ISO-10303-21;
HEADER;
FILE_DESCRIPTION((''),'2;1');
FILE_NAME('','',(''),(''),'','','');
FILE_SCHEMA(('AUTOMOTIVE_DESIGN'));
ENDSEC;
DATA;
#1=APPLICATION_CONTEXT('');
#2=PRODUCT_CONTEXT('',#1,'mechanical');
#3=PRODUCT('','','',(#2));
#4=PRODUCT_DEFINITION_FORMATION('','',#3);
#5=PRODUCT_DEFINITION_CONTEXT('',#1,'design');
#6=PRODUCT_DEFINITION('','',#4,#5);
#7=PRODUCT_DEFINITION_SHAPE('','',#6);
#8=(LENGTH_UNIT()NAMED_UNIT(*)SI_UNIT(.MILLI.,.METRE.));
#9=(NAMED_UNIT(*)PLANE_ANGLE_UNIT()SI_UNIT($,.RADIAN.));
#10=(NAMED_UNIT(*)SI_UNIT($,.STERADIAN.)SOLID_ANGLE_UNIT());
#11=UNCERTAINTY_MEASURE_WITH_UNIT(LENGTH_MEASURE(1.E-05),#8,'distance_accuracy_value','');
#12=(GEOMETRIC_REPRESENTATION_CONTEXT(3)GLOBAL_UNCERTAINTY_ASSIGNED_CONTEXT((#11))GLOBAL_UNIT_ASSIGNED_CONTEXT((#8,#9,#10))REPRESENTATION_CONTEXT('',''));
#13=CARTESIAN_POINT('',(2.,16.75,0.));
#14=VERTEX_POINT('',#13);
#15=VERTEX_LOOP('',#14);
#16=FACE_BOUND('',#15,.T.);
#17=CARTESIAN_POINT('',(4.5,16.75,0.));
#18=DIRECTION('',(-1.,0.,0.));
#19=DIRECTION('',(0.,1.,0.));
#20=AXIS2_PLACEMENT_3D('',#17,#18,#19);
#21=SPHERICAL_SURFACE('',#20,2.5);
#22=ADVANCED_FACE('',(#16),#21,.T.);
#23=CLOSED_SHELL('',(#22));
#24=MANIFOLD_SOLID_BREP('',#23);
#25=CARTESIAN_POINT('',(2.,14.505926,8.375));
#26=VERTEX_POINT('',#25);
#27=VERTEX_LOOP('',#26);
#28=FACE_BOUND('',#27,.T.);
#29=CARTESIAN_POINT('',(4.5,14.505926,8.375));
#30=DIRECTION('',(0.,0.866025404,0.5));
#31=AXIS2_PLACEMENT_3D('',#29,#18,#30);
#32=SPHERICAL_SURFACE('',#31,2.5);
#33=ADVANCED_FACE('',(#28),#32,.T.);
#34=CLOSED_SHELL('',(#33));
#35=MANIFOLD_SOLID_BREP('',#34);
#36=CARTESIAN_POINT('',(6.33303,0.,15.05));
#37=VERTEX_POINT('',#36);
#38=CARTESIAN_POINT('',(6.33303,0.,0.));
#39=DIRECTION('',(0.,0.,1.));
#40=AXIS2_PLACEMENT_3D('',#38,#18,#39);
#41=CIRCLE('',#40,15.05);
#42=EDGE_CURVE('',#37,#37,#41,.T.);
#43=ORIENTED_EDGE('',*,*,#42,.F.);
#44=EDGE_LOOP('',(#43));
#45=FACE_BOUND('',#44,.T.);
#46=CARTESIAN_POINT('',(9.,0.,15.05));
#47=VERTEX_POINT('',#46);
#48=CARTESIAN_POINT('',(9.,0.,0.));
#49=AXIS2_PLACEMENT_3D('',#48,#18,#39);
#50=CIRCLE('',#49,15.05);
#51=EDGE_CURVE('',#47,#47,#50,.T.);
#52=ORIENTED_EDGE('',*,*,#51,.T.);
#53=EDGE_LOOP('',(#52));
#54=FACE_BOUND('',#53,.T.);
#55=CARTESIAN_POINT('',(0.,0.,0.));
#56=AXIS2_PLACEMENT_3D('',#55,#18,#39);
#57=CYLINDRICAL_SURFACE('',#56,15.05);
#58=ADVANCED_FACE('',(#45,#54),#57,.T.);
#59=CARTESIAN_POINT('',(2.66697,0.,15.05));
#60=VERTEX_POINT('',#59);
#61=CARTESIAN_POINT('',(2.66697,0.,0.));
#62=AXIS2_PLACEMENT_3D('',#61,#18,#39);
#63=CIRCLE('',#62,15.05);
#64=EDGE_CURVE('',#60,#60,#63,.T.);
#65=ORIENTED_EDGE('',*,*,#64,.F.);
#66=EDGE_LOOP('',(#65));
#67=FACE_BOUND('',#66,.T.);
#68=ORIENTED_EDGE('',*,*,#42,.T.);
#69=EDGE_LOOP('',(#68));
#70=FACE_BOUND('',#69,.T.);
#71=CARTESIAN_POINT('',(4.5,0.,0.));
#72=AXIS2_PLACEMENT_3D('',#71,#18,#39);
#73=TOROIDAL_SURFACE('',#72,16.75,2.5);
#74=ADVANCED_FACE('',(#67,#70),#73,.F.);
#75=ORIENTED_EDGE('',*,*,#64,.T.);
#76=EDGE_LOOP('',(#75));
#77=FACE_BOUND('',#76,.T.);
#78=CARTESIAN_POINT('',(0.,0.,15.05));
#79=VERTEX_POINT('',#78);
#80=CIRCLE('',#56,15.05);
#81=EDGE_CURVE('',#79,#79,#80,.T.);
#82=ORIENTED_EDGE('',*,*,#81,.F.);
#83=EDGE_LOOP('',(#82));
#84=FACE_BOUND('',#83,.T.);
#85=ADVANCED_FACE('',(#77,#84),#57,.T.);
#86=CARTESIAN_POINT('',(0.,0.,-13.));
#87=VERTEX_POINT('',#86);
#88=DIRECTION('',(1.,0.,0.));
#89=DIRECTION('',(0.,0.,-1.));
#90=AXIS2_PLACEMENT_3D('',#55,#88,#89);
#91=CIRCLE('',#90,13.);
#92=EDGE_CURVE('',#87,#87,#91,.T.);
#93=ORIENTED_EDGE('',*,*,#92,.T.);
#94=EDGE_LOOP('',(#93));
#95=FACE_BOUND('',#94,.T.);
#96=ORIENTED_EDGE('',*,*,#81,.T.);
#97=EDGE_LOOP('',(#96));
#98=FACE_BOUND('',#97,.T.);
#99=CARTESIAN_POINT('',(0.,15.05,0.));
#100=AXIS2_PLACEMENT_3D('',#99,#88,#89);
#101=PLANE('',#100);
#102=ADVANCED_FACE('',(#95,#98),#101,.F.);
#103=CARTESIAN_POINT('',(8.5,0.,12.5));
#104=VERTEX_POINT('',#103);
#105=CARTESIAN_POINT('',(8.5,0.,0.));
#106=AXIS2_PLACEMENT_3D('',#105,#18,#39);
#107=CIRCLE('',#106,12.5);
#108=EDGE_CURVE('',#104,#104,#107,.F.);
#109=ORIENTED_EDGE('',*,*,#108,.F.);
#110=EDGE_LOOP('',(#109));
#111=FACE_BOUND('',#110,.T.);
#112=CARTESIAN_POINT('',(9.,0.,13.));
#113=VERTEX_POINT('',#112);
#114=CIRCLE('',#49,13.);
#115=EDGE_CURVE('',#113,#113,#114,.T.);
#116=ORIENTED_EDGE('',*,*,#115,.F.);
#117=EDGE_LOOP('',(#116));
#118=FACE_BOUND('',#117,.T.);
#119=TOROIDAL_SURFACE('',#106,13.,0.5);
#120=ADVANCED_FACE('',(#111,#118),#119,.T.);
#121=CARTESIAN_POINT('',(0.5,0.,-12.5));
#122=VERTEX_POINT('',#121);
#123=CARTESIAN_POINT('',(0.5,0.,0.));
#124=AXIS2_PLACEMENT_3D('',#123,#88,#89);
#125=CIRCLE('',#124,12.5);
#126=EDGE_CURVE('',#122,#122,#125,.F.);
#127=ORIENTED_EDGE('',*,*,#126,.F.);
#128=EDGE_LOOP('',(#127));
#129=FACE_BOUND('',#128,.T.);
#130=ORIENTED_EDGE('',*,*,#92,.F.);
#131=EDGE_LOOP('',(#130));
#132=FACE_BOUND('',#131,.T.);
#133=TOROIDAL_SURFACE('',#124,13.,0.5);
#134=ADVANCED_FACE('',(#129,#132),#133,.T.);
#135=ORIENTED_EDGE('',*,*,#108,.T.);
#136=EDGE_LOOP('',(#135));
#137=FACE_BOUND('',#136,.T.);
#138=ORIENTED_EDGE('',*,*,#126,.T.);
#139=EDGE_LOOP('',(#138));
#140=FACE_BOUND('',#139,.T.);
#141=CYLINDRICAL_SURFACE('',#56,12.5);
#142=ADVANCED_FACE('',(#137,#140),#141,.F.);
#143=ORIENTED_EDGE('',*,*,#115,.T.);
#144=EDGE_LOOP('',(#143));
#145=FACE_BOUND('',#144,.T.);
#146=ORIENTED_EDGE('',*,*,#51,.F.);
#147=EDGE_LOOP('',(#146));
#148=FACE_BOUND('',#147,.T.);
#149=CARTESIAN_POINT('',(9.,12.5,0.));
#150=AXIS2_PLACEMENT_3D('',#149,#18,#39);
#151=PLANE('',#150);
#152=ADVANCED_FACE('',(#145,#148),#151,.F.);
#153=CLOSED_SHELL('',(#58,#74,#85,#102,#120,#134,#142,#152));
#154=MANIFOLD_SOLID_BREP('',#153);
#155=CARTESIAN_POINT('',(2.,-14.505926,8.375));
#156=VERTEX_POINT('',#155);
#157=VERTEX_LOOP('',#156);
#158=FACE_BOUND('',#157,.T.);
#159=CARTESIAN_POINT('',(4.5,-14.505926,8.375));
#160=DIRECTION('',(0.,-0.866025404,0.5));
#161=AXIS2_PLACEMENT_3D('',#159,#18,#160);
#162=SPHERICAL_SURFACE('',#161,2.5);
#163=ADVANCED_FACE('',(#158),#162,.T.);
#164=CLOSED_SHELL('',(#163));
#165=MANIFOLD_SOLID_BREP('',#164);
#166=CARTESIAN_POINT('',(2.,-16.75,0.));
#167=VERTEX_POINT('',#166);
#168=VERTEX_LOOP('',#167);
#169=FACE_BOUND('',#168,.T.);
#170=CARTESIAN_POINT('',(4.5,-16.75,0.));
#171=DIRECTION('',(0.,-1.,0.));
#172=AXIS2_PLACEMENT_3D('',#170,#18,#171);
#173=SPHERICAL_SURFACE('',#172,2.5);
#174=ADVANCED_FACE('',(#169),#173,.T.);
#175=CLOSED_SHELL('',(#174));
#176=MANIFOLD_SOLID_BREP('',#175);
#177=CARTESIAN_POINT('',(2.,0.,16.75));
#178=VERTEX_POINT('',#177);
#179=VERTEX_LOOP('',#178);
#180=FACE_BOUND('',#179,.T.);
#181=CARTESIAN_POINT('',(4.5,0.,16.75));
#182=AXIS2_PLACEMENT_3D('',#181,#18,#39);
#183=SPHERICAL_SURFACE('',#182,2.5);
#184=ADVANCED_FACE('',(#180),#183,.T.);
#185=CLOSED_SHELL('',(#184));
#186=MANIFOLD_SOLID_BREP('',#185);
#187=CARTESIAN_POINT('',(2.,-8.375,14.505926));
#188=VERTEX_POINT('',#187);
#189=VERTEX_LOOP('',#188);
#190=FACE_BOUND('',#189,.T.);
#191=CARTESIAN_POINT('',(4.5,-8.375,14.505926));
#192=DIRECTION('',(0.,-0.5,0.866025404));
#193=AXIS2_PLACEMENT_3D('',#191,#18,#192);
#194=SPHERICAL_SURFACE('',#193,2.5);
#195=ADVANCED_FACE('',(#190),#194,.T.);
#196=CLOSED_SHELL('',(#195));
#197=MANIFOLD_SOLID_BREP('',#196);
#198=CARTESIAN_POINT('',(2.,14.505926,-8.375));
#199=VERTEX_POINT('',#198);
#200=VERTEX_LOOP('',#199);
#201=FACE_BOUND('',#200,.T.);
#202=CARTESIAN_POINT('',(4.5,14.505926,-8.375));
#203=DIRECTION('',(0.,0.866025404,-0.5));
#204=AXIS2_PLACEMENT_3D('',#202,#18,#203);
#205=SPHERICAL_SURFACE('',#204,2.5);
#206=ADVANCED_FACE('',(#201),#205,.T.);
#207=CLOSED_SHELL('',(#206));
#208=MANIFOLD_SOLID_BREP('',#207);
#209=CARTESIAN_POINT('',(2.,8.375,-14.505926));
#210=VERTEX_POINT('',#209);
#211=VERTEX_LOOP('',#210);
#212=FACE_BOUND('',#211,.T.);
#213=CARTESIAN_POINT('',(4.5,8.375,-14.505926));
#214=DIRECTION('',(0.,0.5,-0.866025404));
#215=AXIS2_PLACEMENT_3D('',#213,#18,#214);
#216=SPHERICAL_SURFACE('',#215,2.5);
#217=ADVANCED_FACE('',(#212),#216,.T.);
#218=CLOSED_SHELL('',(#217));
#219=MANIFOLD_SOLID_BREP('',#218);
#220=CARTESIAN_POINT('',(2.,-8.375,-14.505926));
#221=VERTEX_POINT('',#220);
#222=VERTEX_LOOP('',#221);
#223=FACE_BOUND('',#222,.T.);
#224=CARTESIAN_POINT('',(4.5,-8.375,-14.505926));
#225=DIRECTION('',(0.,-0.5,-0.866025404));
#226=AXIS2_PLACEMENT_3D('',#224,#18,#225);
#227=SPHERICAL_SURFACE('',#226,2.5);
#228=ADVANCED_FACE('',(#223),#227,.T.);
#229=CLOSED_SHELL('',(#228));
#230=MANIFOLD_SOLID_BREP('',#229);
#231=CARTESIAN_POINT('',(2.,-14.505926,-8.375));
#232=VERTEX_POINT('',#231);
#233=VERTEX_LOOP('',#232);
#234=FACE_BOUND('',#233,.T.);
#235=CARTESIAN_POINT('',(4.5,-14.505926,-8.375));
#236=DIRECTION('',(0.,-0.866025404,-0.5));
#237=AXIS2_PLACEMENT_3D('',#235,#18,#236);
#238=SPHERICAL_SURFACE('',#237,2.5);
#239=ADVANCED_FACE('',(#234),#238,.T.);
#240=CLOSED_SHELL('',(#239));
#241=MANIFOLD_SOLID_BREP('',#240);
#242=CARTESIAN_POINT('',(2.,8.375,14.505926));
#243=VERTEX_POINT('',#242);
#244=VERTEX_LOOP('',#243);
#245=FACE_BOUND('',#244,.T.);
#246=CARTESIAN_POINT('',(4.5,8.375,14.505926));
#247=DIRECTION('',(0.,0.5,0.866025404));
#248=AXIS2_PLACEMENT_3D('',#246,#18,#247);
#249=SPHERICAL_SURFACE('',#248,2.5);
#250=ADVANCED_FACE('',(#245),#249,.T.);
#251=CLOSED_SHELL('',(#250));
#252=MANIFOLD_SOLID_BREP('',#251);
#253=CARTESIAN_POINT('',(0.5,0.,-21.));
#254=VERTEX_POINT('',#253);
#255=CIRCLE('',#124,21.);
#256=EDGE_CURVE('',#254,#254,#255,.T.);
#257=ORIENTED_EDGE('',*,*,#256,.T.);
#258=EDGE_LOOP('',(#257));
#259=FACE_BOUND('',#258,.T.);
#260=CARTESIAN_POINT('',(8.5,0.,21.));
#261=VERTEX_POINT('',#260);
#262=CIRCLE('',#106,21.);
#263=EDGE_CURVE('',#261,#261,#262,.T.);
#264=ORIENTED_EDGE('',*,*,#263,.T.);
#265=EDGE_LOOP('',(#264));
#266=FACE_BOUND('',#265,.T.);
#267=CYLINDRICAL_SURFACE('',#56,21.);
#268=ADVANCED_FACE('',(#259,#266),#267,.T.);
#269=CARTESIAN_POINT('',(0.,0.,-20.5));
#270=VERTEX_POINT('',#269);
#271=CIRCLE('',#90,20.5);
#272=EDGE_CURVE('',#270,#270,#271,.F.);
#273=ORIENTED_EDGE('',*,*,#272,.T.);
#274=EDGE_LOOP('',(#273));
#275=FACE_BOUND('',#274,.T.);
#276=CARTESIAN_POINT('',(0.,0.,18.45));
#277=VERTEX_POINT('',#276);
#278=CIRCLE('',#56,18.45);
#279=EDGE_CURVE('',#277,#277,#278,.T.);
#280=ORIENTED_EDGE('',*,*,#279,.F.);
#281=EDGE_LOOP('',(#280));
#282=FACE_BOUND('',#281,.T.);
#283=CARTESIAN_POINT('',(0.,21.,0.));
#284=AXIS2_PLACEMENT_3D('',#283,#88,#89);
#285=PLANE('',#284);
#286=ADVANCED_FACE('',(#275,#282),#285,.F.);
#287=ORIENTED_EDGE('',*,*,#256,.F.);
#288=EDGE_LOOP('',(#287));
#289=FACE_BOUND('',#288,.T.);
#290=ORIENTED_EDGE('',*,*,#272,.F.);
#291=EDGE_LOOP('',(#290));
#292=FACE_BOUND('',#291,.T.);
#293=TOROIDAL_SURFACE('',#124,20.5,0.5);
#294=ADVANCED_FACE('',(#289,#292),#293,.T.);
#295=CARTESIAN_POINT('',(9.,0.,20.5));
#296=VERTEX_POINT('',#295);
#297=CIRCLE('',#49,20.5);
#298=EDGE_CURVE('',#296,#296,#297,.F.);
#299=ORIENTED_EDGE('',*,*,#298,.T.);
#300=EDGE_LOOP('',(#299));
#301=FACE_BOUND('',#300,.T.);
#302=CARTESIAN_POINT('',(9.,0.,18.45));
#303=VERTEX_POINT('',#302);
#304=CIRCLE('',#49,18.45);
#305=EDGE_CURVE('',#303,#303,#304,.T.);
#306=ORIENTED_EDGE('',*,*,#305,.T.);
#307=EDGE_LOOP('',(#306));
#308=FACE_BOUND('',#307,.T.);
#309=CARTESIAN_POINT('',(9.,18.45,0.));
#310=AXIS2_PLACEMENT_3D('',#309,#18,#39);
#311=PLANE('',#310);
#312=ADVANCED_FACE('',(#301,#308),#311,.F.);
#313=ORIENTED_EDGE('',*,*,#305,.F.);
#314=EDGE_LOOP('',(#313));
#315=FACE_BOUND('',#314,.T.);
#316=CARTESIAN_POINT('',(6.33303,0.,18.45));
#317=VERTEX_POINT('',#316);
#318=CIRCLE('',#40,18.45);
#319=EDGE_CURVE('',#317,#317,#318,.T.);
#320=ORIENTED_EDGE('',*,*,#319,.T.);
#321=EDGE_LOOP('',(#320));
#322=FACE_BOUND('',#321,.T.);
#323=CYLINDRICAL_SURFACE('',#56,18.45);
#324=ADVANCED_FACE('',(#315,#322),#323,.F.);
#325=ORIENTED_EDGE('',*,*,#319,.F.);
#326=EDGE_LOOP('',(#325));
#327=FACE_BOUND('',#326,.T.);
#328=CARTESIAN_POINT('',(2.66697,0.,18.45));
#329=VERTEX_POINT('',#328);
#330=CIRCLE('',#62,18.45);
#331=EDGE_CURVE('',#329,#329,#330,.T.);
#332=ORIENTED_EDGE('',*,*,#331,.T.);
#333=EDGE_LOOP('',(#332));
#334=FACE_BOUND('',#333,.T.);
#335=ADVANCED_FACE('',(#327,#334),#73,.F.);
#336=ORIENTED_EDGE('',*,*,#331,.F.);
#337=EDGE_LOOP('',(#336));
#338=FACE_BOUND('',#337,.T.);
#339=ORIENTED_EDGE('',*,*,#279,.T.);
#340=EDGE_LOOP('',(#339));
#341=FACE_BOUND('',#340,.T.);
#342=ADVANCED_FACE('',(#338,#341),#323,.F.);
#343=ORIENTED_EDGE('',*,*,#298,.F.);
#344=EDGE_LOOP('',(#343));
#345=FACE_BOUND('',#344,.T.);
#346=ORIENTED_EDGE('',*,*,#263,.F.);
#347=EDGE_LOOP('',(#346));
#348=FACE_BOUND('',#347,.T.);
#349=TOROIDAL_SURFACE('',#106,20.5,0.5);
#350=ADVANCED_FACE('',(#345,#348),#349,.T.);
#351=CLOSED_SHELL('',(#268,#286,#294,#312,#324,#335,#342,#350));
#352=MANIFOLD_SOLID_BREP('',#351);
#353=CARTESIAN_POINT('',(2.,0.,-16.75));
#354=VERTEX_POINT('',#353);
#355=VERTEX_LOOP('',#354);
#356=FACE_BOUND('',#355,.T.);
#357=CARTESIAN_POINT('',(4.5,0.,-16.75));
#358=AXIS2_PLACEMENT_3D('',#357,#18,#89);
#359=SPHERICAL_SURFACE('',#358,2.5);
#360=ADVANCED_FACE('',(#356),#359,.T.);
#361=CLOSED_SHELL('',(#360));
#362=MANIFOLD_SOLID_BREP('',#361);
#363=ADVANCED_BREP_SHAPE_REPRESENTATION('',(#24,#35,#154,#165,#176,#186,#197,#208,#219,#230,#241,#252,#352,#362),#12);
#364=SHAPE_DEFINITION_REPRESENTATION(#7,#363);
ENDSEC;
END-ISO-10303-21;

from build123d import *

# Parameters (mm, degrees)
FILLET_1_R               = 0.5
FILLET_2_R               = 0.5
PATTERN_CIRCULAR_1_COUNT = 12


with BuildPart() as part:
    # Эскиз1 → Повернуть1 (revolve)
    with BuildSketch(Plane.XY):
        with BuildLine():
            Line((0, 15.05), (0, 12.5))
            Line((0, 12.5), (9, 12.5))
            Line((9, 12.5), (9, 15.05))
            Line((9, 15.05), (6.333030278, 15.05))
            ThreePointArc((6.333030278, 15.05), (4.5, 14.25), (2.666969722, 15.05))
            Line((2.666969722, 15.05), (0, 15.05))
        make_face()
        with BuildLine():
            Line((9, 18.45), (9, 21))
            Line((9, 21), (0, 21))
            Line((0, 21), (0, 18.45))
            Line((0, 18.45), (2.666969722, 18.45))
            ThreePointArc((2.666969722, 18.45), (4.5, 19.25), (6.333030278, 18.45))
            Line((6.333030278, 18.45), (9, 18.45))
        make_face()
    revolve(axis=Axis((0, 0, 0), (1, 0, 0)))

    # Скругление1
    fillet_1_edges = [part.edges().sort_by_distance(p)[0] for p in [
        (9, -21, 0),
        (0, -21, 0),
    ]]
    fillet(fillet_1_edges, radius=FILLET_1_R)

    # Скругление2
    fillet_2_edges = [part.edges().sort_by_distance(p)[0] for p in [
        (9, -12.5, 0),
        (0, -12.5, 0),
    ]]
    fillet(fillet_2_edges, radius=FILLET_2_R)


with BuildPart() as body_2:
    # Эскиз2 → Повернуть4 (revolve)
    with BuildSketch(Plane.XY):
        with BuildLine():
            Line((2, 16.75), (7, 16.75))
            ThreePointArc((7, 16.75), (4.5, 19.25), (2, 16.75))
        make_face()
    revolve(axis=Axis((2, 16.75, 0), (1, 0, 0)))


with BuildPart() as pattern_circular_1_1:
    # Круговой массив1: pattern copy
    add(body_2.part.rotate(Axis((0, 0, 0), (1, 0, 0)), 1 * 360 / PATTERN_CIRCULAR_1_COUNT))


with BuildPart() as pattern_circular_1_2:
    # Круговой массив1: pattern copy
    add(body_2.part.rotate(Axis((0, 0, 0), (1, 0, 0)), 2 * 360 / PATTERN_CIRCULAR_1_COUNT))


with BuildPart() as pattern_circular_1_3:
    # Круговой массив1: pattern copy
    add(body_2.part.rotate(Axis((0, 0, 0), (1, 0, 0)), 3 * 360 / PATTERN_CIRCULAR_1_COUNT))


with BuildPart() as pattern_circular_1_4:
    # Круговой массив1: pattern copy
    add(body_2.part.rotate(Axis((0, 0, 0), (1, 0, 0)), 4 * 360 / PATTERN_CIRCULAR_1_COUNT))


with BuildPart() as pattern_circular_1_5:
    # Круговой массив1: pattern copy
    add(body_2.part.rotate(Axis((0, 0, 0), (1, 0, 0)), 5 * 360 / PATTERN_CIRCULAR_1_COUNT))


with BuildPart() as pattern_circular_1_6:
    # Круговой массив1: pattern copy
    add(body_2.part.rotate(Axis((0, 0, 0), (1, 0, 0)), 6 * 360 / PATTERN_CIRCULAR_1_COUNT))


with BuildPart() as pattern_circular_1_7:
    # Круговой массив1: pattern copy
    add(body_2.part.rotate(Axis((0, 0, 0), (1, 0, 0)), 7 * 360 / PATTERN_CIRCULAR_1_COUNT))


with BuildPart() as pattern_circular_1_8:
    # Круговой массив1: pattern copy
    add(body_2.part.rotate(Axis((0, 0, 0), (1, 0, 0)), 8 * 360 / PATTERN_CIRCULAR_1_COUNT))


with BuildPart() as pattern_circular_1_9:
    # Круговой массив1: pattern copy
    add(body_2.part.rotate(Axis((0, 0, 0), (1, 0, 0)), 9 * 360 / PATTERN_CIRCULAR_1_COUNT))


with BuildPart() as pattern_circular_1_10:
    # Круговой массив1: pattern copy
    add(body_2.part.rotate(Axis((0, 0, 0), (1, 0, 0)), 10 * 360 / PATTERN_CIRCULAR_1_COUNT))


with BuildPart() as pattern_circular_1_11:
    # Круговой массив1: pattern copy
    add(body_2.part.rotate(Axis((0, 0, 0), (1, 0, 0)), 11 * 360 / PATTERN_CIRCULAR_1_COUNT))


solid = Compound([part.part, body_2.part, pattern_circular_1_1.part, pattern_circular_1_2.part, pattern_circular_1_3.part, pattern_circular_1_4.part, pattern_circular_1_5.part, pattern_circular_1_6.part, pattern_circular_1_7.part, pattern_circular_1_8.part, pattern_circular_1_9.part, pattern_circular_1_10.part, pattern_circular_1_11.part])
